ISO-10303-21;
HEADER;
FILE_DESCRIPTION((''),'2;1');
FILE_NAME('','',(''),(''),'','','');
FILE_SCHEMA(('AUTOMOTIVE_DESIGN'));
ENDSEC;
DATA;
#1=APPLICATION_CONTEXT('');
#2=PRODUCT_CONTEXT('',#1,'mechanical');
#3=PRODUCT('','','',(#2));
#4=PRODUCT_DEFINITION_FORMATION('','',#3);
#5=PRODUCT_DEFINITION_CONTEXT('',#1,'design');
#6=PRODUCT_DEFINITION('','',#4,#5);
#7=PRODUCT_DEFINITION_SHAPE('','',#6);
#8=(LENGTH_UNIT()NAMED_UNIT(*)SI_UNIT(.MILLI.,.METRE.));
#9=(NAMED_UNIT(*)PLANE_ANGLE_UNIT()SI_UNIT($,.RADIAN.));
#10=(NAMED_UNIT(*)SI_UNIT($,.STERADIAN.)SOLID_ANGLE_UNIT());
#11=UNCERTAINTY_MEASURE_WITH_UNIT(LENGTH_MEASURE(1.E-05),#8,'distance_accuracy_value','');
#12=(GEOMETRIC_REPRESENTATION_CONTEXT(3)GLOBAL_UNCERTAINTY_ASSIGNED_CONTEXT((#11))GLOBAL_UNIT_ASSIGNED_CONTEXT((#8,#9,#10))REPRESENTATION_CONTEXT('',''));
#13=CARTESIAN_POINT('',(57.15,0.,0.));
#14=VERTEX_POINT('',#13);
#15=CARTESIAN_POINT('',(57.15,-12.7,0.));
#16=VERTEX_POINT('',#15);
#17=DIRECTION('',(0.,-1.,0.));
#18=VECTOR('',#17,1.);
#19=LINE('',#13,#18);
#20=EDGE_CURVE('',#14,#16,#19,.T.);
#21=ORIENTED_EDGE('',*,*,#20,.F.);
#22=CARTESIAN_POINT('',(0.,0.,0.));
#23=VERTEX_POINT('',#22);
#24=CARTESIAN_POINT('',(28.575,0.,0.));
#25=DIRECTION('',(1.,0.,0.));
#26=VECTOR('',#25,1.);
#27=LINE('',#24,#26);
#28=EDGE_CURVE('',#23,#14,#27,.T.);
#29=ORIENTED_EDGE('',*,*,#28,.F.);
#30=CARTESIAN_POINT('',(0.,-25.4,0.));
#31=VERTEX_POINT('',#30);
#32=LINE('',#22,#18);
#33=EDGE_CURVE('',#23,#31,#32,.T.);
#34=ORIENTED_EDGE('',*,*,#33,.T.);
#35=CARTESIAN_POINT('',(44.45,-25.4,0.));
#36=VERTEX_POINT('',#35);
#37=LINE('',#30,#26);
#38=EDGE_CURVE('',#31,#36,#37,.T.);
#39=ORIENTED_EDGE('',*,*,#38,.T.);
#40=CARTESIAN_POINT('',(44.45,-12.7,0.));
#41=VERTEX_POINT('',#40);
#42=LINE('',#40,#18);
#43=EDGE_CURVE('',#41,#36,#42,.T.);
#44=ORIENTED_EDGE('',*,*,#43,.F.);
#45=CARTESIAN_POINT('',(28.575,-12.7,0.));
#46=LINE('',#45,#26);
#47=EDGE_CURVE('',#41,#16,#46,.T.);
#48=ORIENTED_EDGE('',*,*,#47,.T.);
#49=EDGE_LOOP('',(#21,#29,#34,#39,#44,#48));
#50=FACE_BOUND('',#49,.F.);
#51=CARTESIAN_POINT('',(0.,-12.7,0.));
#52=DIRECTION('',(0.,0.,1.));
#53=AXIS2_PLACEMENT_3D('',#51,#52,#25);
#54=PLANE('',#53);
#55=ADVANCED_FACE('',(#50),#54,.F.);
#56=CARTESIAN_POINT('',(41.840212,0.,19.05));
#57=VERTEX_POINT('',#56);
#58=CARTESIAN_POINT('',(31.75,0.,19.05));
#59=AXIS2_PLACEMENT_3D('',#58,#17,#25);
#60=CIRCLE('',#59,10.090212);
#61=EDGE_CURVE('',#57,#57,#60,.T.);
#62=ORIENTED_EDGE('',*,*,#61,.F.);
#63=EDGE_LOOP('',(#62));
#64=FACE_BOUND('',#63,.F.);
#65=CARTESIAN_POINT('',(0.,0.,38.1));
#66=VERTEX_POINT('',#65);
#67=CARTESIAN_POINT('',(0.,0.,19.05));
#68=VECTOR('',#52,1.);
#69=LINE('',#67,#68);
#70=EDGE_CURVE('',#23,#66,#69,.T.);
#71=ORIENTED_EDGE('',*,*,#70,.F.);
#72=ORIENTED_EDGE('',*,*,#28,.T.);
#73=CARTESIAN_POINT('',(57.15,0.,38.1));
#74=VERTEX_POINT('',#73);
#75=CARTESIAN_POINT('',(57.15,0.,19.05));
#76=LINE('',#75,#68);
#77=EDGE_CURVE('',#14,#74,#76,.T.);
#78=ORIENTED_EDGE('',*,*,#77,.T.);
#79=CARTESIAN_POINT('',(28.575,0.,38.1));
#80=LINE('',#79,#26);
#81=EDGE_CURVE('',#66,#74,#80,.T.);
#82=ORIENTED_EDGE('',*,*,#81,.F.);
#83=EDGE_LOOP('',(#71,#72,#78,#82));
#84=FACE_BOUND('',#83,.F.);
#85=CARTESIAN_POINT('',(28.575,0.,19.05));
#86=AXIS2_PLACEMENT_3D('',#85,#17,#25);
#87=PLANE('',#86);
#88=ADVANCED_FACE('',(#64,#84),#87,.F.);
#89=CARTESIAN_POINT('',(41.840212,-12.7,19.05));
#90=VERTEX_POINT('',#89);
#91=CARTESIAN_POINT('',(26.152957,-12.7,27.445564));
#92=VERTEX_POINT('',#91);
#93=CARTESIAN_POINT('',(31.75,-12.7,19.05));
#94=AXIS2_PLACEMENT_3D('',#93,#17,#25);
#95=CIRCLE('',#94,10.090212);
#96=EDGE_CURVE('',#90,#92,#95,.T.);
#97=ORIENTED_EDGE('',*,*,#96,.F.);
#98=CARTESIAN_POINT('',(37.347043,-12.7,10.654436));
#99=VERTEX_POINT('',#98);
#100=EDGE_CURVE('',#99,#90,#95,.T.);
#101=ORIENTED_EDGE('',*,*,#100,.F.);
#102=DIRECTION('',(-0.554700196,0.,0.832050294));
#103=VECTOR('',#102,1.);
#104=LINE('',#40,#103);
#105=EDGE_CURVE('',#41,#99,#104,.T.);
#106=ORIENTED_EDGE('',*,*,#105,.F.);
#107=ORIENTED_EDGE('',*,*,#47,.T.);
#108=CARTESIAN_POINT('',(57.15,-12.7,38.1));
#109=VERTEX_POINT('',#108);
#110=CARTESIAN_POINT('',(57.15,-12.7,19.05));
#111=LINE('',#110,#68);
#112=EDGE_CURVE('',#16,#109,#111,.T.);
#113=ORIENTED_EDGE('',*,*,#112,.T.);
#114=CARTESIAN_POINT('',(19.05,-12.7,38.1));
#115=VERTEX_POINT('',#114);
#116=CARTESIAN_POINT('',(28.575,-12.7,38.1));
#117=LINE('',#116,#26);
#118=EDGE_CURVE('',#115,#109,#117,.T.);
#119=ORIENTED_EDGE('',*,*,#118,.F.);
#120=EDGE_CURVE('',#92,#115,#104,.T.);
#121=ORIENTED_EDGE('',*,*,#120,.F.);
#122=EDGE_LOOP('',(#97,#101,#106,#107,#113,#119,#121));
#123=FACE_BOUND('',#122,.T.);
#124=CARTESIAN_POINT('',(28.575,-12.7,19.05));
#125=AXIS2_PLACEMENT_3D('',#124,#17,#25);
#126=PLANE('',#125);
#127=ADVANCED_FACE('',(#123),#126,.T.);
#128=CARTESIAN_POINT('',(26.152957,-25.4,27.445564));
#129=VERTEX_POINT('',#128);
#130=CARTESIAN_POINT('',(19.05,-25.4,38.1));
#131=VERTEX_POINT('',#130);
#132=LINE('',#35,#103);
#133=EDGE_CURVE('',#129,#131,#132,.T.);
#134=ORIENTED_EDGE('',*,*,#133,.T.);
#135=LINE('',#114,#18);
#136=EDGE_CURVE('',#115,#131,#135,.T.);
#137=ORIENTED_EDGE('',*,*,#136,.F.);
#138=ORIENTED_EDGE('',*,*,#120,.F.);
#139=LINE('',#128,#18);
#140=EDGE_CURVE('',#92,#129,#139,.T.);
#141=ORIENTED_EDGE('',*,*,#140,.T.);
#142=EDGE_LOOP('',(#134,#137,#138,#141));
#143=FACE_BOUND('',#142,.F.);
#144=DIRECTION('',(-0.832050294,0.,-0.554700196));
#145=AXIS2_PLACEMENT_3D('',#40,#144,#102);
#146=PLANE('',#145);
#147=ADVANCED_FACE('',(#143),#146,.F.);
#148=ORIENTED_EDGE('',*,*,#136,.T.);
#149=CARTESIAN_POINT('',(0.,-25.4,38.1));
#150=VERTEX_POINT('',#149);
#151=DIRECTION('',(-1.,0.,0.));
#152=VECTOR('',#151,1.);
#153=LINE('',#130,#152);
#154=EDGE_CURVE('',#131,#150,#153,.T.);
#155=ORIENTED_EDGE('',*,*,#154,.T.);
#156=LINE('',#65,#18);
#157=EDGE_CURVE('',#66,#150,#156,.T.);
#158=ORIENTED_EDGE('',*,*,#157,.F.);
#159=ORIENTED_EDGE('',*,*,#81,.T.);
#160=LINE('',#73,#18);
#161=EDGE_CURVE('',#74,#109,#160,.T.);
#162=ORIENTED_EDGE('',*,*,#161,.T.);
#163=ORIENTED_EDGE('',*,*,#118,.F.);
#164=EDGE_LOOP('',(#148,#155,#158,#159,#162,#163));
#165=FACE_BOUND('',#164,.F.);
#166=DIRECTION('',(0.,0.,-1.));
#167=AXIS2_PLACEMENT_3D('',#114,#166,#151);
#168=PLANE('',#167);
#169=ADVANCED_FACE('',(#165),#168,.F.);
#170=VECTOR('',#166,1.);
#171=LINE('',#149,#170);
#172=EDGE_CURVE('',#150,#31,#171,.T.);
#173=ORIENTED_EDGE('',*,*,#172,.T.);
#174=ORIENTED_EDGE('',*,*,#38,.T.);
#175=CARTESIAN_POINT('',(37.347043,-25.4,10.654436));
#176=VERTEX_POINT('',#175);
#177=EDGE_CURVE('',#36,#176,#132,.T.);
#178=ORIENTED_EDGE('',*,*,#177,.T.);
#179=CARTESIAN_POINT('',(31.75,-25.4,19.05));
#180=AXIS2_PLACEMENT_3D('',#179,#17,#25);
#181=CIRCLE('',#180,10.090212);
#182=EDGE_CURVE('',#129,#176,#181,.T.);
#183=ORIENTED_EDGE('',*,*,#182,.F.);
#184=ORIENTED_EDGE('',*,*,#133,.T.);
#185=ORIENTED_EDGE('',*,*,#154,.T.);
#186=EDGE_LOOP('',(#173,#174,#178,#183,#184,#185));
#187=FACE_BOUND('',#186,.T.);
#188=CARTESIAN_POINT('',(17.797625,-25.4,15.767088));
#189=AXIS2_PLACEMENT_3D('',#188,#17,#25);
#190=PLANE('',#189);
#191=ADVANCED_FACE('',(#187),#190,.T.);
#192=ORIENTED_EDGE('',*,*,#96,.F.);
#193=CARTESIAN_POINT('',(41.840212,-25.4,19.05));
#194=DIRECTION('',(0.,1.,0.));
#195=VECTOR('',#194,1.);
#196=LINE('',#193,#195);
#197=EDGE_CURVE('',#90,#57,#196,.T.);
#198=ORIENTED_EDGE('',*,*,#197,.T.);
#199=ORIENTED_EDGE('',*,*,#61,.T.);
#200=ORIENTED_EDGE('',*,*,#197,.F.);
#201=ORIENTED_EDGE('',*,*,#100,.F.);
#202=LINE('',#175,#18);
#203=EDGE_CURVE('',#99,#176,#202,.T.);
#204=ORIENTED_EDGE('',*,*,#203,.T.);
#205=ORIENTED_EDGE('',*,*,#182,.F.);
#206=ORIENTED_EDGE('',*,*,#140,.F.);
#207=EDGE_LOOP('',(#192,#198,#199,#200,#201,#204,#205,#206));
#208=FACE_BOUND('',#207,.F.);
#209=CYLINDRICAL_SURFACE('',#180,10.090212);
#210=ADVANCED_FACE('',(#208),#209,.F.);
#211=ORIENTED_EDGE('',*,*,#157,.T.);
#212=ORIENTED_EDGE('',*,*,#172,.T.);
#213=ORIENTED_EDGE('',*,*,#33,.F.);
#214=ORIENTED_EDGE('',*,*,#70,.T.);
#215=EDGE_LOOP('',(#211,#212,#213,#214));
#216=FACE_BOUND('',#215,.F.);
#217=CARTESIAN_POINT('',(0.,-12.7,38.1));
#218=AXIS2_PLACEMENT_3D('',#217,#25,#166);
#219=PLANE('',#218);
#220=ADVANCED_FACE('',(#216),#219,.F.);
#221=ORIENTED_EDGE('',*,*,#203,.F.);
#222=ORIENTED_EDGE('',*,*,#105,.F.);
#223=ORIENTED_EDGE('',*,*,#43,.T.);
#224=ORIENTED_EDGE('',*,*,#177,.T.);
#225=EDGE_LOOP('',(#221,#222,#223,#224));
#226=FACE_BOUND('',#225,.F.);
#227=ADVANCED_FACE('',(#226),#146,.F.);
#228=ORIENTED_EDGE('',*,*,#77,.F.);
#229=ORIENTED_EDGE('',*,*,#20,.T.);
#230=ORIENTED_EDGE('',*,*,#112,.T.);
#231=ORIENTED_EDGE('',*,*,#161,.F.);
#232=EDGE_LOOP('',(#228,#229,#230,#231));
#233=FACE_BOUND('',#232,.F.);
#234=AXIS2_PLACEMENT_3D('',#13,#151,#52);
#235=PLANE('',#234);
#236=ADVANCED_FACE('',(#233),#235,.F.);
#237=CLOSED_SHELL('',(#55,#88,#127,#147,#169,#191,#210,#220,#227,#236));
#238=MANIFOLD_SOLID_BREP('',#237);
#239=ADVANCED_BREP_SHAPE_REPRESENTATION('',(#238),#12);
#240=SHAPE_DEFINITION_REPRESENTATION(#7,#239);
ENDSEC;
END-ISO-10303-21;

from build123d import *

# Parameters (mm, degrees)
F0_W     = 57.15
F0_H     = 38.1
F1_DEPTH = 12.7
F3_DEPTH = 12.7
F4_R     = 10.090212
F5_DEPTH = 25.4


with BuildPart() as f1:
    # F0 (on Front) → F1 (new body)
    with BuildSketch(Plane.XZ):
        with Locations((28.575, 19.05)):
            Rectangle(F0_W, F0_H)
    extrude(amount=F1_DEPTH)

    # F2 (on face) → F3 (join)
    with BuildSketch(Plane.XZ.offset(12.7)):
        Polygon((19.05, 38.1), (0, 38.1), (0, 0), (44.45, 0), align=None)
    extrude(amount=F3_DEPTH)

    # F4 (on face) → F5 (cut)
    with BuildSketch(Plane.XZ.offset(25.4)):
        with Locations((31.75, 19.05)):
            Circle(F4_R)
    extrude(amount=-F5_DEPTH, mode=Mode.SUBTRACT)


solid = f1.part
